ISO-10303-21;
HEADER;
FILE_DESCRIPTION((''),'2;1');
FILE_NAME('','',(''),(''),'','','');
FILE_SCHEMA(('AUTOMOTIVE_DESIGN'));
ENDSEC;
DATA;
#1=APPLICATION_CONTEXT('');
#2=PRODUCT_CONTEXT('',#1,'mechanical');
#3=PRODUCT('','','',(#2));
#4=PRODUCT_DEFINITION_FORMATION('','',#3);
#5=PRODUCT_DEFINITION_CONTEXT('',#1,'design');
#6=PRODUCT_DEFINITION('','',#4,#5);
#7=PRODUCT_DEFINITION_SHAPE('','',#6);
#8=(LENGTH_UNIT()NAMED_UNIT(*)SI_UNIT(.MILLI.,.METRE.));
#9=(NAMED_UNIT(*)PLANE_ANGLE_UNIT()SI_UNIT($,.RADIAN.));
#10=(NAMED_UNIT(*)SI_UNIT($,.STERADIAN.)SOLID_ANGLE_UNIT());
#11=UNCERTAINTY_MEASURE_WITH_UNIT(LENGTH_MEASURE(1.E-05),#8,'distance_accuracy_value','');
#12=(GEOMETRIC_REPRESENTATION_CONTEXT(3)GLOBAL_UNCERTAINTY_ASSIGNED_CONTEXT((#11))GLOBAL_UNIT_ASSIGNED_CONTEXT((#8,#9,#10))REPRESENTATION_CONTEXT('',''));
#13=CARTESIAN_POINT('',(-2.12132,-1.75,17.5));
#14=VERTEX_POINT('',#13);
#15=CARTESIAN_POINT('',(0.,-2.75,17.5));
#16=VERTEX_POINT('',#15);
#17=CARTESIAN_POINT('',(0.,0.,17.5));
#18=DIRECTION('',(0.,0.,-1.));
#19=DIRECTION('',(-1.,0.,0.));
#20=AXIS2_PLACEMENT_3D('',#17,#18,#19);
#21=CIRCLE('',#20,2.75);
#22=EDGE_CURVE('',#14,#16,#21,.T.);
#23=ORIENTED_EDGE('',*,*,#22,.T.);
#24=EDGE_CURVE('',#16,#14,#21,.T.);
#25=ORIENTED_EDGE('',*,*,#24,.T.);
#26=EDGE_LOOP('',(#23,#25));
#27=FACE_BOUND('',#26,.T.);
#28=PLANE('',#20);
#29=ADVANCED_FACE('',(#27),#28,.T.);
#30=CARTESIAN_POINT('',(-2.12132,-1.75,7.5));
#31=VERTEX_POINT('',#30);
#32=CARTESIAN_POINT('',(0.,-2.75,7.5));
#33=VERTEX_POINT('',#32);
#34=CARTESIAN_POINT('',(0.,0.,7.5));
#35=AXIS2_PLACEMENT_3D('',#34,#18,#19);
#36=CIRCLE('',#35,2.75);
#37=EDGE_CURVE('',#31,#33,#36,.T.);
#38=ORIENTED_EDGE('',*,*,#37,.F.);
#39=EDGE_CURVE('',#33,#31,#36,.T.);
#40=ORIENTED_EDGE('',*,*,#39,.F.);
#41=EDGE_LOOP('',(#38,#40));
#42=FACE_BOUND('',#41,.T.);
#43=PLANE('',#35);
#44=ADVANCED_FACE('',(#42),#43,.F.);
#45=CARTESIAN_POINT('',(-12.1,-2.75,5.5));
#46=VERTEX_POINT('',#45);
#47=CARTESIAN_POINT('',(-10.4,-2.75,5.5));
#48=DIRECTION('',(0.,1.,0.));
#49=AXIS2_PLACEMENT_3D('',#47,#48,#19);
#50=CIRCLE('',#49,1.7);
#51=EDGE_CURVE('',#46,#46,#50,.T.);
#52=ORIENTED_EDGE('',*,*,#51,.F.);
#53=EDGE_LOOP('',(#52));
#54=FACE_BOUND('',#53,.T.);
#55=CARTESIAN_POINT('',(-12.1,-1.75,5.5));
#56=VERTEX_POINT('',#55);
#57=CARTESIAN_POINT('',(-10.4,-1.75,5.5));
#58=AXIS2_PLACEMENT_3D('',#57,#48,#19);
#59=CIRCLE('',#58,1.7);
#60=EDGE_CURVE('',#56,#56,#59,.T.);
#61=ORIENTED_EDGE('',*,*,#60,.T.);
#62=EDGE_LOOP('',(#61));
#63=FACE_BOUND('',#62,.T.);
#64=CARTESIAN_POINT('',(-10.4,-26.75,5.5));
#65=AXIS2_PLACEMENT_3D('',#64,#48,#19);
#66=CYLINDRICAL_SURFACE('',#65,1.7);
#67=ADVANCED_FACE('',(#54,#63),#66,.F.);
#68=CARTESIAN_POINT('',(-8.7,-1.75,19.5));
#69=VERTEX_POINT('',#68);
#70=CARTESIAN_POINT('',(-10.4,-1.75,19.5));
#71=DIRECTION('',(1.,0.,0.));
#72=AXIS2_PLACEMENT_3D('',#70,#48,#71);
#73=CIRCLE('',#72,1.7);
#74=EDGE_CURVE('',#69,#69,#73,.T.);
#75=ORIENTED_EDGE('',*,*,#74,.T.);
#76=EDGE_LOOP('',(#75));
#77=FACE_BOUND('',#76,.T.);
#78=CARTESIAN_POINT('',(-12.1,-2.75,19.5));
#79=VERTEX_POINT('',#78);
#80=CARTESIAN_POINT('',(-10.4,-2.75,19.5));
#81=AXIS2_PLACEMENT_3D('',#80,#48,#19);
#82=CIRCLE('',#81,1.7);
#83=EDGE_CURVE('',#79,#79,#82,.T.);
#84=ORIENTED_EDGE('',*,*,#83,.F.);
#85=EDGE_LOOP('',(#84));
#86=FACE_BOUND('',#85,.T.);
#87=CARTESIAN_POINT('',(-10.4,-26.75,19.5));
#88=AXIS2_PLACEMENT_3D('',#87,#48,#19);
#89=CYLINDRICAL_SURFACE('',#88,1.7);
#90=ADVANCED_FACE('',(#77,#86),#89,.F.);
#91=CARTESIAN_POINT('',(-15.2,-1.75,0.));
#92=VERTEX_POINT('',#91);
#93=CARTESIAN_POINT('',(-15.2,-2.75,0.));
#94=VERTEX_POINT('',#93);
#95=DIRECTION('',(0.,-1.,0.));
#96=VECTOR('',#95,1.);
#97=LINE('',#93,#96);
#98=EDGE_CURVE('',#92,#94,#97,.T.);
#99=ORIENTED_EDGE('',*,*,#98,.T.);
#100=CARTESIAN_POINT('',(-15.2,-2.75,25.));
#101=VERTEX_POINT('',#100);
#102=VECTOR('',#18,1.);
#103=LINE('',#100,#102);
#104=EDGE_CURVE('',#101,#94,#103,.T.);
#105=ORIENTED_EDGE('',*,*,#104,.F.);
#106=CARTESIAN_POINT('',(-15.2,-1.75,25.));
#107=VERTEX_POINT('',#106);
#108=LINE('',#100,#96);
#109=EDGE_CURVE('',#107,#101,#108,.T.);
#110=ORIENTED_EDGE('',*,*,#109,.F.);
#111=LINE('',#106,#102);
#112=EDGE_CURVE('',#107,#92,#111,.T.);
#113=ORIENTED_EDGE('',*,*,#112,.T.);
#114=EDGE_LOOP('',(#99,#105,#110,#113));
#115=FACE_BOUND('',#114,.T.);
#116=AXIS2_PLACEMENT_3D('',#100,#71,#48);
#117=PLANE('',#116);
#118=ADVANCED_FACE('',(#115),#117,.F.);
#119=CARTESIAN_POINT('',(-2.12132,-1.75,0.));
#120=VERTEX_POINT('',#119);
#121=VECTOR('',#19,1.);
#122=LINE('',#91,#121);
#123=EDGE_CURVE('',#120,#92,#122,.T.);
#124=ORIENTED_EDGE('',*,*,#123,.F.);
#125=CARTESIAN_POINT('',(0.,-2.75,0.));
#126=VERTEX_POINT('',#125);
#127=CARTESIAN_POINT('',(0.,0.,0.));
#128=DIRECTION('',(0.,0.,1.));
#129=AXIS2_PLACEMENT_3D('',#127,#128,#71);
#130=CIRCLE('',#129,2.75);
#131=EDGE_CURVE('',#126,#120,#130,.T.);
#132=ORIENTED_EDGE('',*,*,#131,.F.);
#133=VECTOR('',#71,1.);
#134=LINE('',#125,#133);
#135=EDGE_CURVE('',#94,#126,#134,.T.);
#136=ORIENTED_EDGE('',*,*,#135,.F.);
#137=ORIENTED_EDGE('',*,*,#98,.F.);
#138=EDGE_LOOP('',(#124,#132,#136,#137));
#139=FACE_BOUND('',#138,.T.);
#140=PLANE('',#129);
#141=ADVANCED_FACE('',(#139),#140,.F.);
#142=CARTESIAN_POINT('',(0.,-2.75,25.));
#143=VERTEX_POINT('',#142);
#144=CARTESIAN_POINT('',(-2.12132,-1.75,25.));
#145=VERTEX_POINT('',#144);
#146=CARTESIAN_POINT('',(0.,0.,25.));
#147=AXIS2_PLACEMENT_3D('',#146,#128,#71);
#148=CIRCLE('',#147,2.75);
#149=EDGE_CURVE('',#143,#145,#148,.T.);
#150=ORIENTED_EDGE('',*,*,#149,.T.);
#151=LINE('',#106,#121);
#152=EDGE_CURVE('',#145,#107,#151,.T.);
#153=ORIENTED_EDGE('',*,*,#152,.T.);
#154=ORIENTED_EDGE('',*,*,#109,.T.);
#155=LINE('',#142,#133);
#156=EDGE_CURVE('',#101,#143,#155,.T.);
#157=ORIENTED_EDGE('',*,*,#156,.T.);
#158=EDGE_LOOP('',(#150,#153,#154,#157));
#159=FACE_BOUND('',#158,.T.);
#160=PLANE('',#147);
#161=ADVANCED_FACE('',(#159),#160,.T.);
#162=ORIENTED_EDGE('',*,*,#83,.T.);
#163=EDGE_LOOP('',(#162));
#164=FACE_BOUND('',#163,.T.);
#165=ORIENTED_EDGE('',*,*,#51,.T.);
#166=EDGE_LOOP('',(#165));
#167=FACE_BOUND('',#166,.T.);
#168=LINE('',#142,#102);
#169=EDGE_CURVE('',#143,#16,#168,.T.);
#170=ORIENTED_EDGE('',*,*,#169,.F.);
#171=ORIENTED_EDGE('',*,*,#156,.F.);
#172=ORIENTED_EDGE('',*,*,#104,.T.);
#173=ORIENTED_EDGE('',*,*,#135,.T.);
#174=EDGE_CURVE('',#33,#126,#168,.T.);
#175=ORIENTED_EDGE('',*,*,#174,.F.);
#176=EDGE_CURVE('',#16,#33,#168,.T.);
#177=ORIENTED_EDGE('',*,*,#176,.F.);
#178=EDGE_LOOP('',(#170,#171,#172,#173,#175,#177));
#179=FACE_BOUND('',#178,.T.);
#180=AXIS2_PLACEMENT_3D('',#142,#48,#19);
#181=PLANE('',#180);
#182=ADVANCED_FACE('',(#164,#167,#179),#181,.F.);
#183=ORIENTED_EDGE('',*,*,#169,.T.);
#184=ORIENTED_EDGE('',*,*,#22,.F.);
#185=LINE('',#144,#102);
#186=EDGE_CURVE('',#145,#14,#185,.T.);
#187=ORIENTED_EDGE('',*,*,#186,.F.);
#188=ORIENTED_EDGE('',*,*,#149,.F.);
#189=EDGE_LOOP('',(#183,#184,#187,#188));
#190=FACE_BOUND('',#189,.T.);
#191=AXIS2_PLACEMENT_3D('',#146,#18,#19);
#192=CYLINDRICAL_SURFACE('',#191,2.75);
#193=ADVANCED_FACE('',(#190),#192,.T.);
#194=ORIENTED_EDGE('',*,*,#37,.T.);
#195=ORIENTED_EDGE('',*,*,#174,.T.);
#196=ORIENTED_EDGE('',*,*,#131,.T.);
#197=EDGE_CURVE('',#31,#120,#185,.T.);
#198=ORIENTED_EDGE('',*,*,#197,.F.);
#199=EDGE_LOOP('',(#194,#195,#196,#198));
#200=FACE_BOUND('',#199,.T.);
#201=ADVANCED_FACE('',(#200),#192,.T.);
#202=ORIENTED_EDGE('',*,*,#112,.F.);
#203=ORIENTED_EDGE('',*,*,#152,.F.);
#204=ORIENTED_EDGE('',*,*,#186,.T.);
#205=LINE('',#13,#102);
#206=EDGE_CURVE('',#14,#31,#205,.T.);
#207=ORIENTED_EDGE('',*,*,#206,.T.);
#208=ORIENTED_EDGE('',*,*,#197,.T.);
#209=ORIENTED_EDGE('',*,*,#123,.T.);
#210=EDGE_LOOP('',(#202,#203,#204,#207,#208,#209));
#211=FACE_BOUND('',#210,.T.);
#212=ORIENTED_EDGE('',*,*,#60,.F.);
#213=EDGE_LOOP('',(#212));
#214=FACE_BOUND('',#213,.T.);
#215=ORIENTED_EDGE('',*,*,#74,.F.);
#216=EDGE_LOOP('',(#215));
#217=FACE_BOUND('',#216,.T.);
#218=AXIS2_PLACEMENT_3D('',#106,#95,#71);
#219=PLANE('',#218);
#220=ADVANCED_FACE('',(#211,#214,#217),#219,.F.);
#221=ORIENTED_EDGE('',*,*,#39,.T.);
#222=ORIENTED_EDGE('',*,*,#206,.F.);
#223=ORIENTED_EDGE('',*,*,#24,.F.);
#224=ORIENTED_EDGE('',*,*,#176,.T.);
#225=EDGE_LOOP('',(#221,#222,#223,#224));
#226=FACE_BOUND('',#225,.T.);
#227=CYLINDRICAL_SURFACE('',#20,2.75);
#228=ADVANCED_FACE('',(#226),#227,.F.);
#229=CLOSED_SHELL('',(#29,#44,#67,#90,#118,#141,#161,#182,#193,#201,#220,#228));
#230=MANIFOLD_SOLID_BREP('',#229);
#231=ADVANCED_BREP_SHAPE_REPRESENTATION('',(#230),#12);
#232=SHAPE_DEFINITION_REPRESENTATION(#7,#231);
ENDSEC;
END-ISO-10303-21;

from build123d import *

# Parameters (mm, degrees)
EXTRUDE_1_DEPTH     = 25
SKETCH_2_R          = 1.7
CUT_EXTRUDE_1_DEPTH = 25
CUT_EXTRUDE_START   = -7.5
SKETCH_3_R          = 2.75
CUT_EXTRUDE_2_DEPTH = 10


with BuildPart() as part:
    # 草图1 → 凸台-拉伸1 (new body)
    with BuildSketch(Plane.XY):
        with BuildLine():
            Line((0, -2.75), (-15.2, -2.75))
            Line((-15.2, -2.75), (-15.2, -1.75))
            Line((-15.2, -1.75), (-2.121320344, -1.75))
            ThreePointArc((-2.121320344, -1.75), (1.17260394, 2.487468593), (0, -2.75))
        make_face()
    extrude(amount=EXTRUDE_1_DEPTH)

    # 草图2 → 切除-拉伸1 (cut)
    with BuildSketch(Plane(origin=(0, -1.75, 0), x_dir=(1, 0, 0), z_dir=(0, 1, 0))):
        with Locations((-10.4, -5.5)):
            Circle(SKETCH_2_R)
        with Locations((-10.4, -19.5)):
            Circle(SKETCH_2_R)
    extrude(amount=-CUT_EXTRUDE_1_DEPTH, mode=Mode.SUBTRACT)

    # 草图3 → 切除-拉伸2 (cut)
    with BuildSketch(Plane(origin=(0, 0, 0), x_dir=(-1, 0, 0), z_dir=(0, 0, -1)).offset(CUT_EXTRUDE_START)):
        Circle(SKETCH_3_R)
    extrude(amount=-CUT_EXTRUDE_2_DEPTH, mode=Mode.SUBTRACT)


solid = part.part
